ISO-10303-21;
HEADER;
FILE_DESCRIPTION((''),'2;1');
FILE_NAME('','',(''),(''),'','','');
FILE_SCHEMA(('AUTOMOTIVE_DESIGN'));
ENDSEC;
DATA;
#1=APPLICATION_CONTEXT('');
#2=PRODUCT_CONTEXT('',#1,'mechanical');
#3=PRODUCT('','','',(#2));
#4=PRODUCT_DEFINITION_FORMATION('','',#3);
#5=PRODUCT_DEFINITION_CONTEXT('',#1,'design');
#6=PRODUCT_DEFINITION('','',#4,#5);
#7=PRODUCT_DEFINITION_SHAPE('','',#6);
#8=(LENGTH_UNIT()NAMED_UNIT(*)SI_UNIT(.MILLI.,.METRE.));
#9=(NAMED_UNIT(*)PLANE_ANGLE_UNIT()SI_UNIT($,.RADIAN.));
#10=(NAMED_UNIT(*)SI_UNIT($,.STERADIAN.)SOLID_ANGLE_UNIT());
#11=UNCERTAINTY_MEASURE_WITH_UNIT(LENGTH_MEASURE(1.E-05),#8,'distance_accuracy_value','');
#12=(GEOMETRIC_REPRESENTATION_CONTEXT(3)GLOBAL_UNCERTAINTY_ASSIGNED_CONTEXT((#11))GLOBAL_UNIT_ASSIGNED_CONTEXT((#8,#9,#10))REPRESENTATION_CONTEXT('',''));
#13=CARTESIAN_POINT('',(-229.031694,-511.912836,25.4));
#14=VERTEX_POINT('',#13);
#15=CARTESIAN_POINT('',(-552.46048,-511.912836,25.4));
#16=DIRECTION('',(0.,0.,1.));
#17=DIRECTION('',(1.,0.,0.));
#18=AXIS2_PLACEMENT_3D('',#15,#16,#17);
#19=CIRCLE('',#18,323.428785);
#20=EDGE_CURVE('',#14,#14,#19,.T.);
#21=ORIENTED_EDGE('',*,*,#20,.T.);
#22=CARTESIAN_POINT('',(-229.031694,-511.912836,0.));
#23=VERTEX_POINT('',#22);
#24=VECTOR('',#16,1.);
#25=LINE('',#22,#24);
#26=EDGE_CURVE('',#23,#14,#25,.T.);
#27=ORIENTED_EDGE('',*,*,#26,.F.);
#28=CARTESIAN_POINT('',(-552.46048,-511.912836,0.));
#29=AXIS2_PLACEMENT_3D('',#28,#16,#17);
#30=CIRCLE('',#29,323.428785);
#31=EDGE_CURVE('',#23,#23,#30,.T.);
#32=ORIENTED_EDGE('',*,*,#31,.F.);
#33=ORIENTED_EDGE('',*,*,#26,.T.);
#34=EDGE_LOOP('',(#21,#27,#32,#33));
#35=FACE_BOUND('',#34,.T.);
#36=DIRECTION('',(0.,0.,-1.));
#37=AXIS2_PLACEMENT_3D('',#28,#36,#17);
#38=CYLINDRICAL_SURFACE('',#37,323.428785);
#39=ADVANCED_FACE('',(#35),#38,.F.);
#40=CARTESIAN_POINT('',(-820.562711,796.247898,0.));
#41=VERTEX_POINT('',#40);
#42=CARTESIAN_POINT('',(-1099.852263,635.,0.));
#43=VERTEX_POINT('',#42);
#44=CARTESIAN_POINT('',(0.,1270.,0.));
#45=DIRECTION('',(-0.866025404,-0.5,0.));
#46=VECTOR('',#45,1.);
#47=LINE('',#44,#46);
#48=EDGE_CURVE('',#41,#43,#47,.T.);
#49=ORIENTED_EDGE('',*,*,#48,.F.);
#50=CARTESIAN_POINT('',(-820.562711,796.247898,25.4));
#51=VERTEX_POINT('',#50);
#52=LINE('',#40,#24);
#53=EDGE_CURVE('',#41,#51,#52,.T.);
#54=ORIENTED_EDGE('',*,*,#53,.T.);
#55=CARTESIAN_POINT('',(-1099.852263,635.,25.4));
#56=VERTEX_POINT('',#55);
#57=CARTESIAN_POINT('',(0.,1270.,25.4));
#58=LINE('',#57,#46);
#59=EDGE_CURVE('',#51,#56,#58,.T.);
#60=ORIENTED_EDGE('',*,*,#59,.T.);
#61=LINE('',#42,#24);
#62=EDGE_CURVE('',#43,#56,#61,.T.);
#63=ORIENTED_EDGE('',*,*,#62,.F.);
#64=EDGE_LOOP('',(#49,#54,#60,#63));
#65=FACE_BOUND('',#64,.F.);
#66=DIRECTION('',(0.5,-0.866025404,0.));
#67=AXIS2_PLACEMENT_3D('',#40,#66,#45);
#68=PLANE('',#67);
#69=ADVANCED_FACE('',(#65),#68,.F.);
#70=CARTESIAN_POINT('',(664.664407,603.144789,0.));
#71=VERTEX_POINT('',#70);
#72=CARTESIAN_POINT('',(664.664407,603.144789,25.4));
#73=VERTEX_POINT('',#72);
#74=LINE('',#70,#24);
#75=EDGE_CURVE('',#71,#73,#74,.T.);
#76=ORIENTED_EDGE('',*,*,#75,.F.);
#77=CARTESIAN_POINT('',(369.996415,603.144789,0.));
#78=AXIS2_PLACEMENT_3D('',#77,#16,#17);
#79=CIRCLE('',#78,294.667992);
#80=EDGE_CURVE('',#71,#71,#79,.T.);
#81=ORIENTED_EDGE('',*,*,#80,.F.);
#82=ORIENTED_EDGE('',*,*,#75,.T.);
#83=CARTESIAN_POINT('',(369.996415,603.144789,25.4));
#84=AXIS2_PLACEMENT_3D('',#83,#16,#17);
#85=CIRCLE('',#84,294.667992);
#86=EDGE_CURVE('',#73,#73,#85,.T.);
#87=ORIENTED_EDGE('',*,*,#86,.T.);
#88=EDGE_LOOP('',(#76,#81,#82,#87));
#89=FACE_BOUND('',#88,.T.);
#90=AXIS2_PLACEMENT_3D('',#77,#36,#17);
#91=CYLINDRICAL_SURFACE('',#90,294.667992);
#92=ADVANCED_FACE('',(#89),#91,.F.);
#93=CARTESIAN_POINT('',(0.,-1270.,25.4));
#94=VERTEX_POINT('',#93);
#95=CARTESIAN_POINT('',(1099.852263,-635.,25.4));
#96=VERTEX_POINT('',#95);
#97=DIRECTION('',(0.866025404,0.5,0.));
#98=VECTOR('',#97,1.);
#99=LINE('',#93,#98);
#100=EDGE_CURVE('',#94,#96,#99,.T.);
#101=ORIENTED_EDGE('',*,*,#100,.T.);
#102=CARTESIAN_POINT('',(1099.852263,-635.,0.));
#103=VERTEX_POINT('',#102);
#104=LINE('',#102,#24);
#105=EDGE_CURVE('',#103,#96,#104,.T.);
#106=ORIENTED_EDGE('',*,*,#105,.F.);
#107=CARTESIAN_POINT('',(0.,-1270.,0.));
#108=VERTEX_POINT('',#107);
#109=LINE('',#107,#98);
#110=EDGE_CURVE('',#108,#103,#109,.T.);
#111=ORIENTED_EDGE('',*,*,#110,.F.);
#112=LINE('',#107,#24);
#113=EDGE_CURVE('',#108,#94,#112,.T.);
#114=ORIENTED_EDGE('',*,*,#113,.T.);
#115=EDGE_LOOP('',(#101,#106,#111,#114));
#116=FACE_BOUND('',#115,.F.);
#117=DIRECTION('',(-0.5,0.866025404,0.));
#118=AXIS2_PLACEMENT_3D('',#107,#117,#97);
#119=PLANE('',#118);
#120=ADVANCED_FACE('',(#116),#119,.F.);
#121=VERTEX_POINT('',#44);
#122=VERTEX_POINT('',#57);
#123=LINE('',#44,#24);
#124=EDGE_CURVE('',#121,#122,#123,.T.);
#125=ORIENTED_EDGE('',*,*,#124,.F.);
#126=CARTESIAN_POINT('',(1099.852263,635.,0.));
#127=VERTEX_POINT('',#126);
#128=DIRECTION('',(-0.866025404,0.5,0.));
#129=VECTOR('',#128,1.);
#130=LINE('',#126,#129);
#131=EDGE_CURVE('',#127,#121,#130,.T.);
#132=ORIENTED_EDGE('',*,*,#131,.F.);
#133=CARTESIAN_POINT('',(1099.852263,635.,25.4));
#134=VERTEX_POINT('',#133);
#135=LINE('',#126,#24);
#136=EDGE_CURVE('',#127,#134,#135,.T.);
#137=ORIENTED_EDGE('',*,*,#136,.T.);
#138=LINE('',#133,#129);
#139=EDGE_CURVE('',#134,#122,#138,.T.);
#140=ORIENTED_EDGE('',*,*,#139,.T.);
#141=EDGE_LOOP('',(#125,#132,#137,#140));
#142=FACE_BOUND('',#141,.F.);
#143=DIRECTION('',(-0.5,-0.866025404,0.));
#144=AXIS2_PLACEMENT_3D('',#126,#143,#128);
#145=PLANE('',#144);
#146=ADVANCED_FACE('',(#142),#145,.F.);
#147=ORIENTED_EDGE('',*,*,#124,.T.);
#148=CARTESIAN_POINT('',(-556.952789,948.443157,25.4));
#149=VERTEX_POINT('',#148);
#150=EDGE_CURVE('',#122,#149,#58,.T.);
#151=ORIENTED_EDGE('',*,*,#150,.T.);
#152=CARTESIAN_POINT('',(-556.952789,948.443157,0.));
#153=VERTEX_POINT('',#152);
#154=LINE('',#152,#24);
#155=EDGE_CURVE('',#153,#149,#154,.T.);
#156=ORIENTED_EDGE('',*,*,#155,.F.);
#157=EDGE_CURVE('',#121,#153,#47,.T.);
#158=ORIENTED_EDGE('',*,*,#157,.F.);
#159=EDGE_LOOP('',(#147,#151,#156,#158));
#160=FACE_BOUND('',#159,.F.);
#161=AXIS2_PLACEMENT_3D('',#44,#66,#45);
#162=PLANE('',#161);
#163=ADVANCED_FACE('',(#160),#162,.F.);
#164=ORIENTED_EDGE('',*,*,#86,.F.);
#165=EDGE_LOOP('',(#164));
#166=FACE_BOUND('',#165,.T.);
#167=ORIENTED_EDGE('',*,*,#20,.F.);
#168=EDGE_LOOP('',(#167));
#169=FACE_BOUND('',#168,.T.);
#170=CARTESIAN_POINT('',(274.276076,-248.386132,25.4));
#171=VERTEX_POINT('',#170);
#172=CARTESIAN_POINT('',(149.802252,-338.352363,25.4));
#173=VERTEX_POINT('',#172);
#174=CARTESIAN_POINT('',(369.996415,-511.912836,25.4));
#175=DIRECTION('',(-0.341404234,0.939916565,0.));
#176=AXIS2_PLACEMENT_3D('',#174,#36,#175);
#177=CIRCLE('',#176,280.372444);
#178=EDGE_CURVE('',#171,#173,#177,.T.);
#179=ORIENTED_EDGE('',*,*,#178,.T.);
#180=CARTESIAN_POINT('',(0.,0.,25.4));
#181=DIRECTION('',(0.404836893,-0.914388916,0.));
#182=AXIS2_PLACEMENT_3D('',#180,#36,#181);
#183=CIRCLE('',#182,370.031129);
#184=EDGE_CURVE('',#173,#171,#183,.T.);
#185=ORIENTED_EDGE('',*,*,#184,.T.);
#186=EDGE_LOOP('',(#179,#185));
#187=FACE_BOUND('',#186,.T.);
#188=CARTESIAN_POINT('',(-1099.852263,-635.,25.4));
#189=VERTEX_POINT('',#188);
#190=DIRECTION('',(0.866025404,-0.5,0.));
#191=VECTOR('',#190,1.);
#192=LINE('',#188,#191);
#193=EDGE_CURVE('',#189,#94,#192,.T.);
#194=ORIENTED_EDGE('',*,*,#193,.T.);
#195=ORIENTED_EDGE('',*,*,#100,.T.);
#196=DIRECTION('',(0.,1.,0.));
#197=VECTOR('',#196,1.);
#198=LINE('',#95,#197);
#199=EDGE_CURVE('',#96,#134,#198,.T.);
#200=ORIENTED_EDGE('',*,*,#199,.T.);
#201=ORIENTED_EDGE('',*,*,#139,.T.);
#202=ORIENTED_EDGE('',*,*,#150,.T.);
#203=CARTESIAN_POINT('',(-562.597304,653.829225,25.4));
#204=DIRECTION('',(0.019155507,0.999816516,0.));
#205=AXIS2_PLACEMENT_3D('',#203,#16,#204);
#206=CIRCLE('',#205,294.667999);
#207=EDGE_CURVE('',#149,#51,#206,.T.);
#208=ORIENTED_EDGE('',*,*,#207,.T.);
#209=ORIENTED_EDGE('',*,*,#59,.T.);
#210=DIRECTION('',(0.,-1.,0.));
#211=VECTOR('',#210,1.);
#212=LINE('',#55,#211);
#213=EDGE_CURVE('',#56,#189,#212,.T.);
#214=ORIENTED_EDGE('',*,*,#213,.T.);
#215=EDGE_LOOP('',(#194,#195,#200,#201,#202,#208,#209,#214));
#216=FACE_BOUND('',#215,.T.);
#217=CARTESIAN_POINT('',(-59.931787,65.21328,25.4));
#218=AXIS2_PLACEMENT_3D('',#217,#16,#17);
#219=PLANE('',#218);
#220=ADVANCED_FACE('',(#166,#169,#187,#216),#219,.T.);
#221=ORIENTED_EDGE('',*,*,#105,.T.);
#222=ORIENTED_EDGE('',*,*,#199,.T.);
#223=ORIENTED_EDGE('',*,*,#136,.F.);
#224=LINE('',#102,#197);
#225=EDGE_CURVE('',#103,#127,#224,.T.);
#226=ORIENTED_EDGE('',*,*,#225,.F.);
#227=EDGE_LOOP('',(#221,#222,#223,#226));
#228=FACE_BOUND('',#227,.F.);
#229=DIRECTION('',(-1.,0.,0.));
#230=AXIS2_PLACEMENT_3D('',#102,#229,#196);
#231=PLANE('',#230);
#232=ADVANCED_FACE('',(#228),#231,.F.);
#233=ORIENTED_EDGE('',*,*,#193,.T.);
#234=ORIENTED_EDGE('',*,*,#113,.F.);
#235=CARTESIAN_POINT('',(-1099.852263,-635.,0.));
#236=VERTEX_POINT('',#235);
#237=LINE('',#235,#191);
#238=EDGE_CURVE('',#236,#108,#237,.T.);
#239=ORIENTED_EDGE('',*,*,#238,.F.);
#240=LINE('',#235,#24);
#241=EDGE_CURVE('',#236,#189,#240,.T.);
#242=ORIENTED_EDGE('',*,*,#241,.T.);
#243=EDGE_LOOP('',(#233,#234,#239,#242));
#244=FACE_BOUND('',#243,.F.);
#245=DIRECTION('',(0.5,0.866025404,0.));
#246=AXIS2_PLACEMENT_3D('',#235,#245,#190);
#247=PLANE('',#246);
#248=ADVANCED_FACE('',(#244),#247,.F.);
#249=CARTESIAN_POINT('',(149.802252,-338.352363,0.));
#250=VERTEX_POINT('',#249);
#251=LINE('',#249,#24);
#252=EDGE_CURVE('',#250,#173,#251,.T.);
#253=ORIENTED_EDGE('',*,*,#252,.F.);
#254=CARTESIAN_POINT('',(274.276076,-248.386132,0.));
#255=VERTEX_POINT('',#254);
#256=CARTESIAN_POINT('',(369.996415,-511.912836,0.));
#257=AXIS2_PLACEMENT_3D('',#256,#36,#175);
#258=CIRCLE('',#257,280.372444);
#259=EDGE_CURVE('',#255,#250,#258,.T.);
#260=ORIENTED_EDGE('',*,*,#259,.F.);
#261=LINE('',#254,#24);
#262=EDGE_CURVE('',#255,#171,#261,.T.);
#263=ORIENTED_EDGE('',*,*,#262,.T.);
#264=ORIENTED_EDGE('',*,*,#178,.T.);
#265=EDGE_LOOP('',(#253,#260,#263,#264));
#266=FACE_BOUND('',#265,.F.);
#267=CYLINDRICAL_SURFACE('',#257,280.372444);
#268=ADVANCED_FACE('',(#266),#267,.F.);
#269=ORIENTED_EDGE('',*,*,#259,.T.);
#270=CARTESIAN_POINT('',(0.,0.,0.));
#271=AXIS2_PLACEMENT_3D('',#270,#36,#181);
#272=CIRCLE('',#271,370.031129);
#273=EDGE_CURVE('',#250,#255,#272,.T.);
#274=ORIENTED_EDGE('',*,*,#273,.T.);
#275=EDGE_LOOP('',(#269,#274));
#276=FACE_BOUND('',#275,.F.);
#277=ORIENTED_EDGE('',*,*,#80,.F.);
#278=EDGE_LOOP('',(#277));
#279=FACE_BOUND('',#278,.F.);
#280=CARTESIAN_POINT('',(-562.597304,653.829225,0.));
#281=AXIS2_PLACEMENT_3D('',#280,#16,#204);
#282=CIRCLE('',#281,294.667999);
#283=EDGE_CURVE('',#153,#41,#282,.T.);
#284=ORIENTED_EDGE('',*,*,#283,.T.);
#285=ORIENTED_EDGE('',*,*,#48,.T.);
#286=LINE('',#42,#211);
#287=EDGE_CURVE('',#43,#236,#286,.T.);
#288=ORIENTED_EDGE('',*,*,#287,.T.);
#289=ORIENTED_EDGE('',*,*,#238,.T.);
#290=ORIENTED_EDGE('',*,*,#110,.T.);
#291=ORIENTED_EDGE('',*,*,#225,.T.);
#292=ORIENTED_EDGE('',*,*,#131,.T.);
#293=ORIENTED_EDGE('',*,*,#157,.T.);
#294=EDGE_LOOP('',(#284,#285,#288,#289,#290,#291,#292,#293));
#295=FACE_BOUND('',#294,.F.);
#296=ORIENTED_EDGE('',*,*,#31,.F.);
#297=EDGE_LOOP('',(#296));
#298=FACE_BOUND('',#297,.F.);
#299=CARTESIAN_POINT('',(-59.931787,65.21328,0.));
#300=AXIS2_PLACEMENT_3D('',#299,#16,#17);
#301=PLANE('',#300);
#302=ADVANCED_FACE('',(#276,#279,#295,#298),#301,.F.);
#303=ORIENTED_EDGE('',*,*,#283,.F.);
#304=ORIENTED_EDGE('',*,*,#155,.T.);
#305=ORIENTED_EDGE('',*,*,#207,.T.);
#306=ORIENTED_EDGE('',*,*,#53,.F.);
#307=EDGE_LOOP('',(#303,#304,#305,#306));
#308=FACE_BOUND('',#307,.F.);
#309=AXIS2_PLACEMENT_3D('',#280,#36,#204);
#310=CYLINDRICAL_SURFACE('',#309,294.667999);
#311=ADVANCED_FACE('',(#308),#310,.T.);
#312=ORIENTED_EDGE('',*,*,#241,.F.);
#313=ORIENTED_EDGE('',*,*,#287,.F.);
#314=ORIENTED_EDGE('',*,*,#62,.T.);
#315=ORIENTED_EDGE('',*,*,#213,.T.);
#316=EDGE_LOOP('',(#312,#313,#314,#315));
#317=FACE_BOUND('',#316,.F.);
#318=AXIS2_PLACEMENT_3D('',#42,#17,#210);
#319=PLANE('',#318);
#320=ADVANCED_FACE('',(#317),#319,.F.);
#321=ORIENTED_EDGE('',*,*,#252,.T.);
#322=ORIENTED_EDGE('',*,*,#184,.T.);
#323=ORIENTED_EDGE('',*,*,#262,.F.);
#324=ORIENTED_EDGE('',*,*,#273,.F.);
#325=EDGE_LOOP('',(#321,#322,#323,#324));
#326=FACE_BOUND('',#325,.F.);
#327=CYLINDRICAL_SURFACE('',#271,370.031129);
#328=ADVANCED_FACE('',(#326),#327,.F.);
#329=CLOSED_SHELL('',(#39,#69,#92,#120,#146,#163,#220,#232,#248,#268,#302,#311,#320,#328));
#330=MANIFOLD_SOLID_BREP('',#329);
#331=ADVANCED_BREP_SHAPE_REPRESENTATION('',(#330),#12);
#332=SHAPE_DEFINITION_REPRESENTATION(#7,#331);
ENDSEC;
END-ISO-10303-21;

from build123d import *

# Parameters (mm, degrees)
F0_R     = 323.428785403
F0_R_2   = 294.6679923396
F1_DEPTH = 25.4


with BuildPart() as f1:
    # F0 (on Top) → F1 (new body)
    with BuildSketch(Plane.XY):
        with BuildLine():
            Line((1099.8522628062, -635), (1099.8522628062, 635))
            Line((1099.8522628062, 635), (0, 1270))
            Line((0, 1270), (-556.9527887507, 948.4431574889))
            ThreePointArc((-556.9527887507, 948.4431574889), (-352.249392492, 860.1856786599), (-267.9293047998, 653.8292253549))
            ThreePointArc((-267.9293047998, 653.8292253549), (-636.1332788763, 368.4843639923), (-820.5627106613, 796.2478981128))
            Line((-820.5627106613, 796.2478981128), (-1099.8522628062, 635))
            Line((-1099.8522628062, 635), (-1099.8522628062, -635))
            Line((-1099.8522628062, -635), (0, -1270))
            Line((0, -1270), (1099.8522628062, -635))
        make_face()
        with Locations((-552.4604796966, -511.91283597)):
            Circle(F0_R, mode=Mode.SUBTRACT)
        with BuildLine():
            ThreePointArc((149.8022523037, -338.3523627975), (-310.1245981113, 201.8558145117), (370.0311286985, 0))
            ThreePointArc((370.0311286985, 0), (345.2634661141, -133.1021230965), (274.2760756839, -248.3861318861))
            ThreePointArc((274.2760756839, -248.3861318861), (530.8866907619, -282.2978837777), (650.3688585392, -511.91283597))
            ThreePointArc((650.3688585392, -511.91283597), (278.1478121671, -776.8138387645), (149.8022523037, -338.3523627975))
        make_face(mode=Mode.SUBTRACT)
        with Locations((369.9964149628, 603.1447892808)):
            Circle(F0_R_2, mode=Mode.SUBTRACT)
        with BuildLine():
            ThreePointArc((-267.9293047998, 653.8292253549), (-352.249392492, 860.1856786599), (-556.9527887507, 948.4431574889))
            Line((-556.9527887507, 948.4431574889), (-820.5627106613, 796.2478981128))
            ThreePointArc((-820.5627106613, 796.2478981128), (-636.1332788763, 368.4843639923), (-267.9293047998, 653.8292253549))
        make_face()
        with BuildLine():
            Line((-820.5627106613, 796.2478981128), (-556.9527887507, 948.4431574889))
            ThreePointArc((-556.9527887507, 948.4431574889), (-709.9313030998, 909.0191980557), (-820.5627106613, 796.2478981128))
        make_face()
    extrude(amount=F1_DEPTH)


solid = f1.part
